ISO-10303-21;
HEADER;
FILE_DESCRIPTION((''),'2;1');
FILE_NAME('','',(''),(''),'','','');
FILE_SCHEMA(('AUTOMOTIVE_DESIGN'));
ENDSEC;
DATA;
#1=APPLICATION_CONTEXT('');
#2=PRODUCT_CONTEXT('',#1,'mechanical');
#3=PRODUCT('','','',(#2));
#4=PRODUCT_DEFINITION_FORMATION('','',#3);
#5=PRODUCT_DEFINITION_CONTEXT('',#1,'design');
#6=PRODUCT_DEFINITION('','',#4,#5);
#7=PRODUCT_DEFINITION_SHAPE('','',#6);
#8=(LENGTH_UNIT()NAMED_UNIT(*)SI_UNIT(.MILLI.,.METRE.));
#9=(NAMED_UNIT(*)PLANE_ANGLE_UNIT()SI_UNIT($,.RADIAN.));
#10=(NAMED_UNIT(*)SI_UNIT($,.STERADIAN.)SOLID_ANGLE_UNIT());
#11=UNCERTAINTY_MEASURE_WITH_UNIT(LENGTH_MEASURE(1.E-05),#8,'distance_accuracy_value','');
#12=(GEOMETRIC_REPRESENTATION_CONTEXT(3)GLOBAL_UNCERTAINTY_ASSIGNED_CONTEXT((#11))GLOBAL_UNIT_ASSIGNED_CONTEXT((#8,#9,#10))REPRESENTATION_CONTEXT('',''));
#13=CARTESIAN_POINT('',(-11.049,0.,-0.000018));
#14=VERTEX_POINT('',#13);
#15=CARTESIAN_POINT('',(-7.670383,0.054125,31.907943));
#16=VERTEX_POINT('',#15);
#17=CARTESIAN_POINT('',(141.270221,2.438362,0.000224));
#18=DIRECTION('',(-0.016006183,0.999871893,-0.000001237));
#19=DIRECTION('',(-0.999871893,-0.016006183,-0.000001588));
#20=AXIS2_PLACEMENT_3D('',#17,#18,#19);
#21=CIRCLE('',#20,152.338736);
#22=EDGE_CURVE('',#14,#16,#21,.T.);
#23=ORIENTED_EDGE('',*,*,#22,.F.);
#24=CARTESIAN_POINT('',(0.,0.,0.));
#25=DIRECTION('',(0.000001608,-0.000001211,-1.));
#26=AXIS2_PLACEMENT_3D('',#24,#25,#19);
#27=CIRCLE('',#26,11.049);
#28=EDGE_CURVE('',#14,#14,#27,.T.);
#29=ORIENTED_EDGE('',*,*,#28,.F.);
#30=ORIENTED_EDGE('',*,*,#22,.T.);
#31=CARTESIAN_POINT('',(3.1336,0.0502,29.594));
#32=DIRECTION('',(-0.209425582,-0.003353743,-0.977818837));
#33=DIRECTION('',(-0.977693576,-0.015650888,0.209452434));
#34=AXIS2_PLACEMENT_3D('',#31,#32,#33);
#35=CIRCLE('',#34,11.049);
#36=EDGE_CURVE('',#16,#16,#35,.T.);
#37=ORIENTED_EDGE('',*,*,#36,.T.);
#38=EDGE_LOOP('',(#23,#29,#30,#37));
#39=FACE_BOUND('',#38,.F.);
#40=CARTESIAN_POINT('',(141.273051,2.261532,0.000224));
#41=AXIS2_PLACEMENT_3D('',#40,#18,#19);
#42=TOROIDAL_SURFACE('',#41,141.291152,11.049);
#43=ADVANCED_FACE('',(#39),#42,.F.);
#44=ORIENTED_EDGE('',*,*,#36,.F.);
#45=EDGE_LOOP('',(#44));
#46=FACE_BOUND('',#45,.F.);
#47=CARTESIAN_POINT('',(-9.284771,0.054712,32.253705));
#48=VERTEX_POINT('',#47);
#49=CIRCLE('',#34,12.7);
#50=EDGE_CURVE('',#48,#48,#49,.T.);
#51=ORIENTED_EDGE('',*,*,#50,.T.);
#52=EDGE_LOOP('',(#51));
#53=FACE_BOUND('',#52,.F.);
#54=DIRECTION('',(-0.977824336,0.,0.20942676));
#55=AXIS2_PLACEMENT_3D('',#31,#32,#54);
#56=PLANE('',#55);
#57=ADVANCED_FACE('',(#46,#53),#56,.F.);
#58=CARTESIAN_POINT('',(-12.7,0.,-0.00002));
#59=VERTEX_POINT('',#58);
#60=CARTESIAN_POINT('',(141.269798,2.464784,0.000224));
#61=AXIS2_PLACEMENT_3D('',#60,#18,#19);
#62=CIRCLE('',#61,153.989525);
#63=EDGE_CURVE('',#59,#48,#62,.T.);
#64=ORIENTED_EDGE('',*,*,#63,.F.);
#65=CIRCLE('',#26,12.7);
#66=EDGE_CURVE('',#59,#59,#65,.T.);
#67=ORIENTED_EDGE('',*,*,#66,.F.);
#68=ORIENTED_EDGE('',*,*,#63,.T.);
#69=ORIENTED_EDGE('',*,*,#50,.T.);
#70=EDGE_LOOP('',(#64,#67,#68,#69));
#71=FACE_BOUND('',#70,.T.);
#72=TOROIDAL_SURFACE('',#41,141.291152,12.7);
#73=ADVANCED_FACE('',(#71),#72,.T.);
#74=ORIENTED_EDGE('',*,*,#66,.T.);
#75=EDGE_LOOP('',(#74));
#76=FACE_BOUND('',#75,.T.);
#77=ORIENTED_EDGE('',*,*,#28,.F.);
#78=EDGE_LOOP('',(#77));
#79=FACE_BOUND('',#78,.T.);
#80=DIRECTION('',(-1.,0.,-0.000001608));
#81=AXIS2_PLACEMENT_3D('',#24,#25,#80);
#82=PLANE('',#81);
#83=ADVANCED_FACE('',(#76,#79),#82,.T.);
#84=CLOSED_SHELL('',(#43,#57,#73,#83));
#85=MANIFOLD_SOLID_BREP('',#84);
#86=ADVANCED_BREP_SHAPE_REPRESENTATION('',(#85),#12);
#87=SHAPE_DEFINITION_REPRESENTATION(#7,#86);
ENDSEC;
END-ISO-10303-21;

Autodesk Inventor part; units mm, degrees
sketch "Sketch" plane through (0, 0, 0) normal (0, 0, -1) x (-1, 0, 0)
  circle A0 centre (0, 0) radius 12.7
  circle A1 centre (0, 0) radius 11.049
  dimension "d0" = 25.4
  dimension "d1" = 1.651
ref_plane "Start Plane" through (0, 0, 0) normal (1, 0, 0) x (0, 1, 0)
ref_plane "End Plane" through (29.8148, 0, 0) normal (1, 0, 0) x (0, 1, 0)
sketch "Sketch2" plane through (0, 0, 0) normal (1, 0, 0) x (0, 1, 0)
  line L0 (0, 0) -> (10, 0)
ref_plane "Work Plane3" through (0, 0, 0) normal (0, 0, -1) x (0, 1, 0)
sketch "Sketch3" plane through (0, 0, 0) normal (0, 0, -1) x (0, 1, 0)
  line L0 (-2, 0) -> (12, 0)
  line L1 (-17.79, 29.8148) -> (17.8401, 29.8148)
  dimension "d9" = 29.8148
ref_plane "Orientation Work Plane" through (0, 0, 0) normal (0, 0, -1) x (-1, 0, 0)
sketch3d "Sweep Path"
  arc A0 (0, 0, 0) -> (3.1336, 0.0502, 29.594) centre (141.2773, 2.2616, 0) ccw
sweep "Body" add profiles "Sketch" path "Sweep Path"
equation "\"G_OFFSET_START\" = 0"
equation "\"G_OFFSET_END\" = 0"
equation "\"d5\" = d2 + G_OFFSET_END"
equation "\"G_L\" = d9"
equation "\"d2\" = 29.814793"
properties part number "4130_1x0.065" material "Steel, Alloy"
